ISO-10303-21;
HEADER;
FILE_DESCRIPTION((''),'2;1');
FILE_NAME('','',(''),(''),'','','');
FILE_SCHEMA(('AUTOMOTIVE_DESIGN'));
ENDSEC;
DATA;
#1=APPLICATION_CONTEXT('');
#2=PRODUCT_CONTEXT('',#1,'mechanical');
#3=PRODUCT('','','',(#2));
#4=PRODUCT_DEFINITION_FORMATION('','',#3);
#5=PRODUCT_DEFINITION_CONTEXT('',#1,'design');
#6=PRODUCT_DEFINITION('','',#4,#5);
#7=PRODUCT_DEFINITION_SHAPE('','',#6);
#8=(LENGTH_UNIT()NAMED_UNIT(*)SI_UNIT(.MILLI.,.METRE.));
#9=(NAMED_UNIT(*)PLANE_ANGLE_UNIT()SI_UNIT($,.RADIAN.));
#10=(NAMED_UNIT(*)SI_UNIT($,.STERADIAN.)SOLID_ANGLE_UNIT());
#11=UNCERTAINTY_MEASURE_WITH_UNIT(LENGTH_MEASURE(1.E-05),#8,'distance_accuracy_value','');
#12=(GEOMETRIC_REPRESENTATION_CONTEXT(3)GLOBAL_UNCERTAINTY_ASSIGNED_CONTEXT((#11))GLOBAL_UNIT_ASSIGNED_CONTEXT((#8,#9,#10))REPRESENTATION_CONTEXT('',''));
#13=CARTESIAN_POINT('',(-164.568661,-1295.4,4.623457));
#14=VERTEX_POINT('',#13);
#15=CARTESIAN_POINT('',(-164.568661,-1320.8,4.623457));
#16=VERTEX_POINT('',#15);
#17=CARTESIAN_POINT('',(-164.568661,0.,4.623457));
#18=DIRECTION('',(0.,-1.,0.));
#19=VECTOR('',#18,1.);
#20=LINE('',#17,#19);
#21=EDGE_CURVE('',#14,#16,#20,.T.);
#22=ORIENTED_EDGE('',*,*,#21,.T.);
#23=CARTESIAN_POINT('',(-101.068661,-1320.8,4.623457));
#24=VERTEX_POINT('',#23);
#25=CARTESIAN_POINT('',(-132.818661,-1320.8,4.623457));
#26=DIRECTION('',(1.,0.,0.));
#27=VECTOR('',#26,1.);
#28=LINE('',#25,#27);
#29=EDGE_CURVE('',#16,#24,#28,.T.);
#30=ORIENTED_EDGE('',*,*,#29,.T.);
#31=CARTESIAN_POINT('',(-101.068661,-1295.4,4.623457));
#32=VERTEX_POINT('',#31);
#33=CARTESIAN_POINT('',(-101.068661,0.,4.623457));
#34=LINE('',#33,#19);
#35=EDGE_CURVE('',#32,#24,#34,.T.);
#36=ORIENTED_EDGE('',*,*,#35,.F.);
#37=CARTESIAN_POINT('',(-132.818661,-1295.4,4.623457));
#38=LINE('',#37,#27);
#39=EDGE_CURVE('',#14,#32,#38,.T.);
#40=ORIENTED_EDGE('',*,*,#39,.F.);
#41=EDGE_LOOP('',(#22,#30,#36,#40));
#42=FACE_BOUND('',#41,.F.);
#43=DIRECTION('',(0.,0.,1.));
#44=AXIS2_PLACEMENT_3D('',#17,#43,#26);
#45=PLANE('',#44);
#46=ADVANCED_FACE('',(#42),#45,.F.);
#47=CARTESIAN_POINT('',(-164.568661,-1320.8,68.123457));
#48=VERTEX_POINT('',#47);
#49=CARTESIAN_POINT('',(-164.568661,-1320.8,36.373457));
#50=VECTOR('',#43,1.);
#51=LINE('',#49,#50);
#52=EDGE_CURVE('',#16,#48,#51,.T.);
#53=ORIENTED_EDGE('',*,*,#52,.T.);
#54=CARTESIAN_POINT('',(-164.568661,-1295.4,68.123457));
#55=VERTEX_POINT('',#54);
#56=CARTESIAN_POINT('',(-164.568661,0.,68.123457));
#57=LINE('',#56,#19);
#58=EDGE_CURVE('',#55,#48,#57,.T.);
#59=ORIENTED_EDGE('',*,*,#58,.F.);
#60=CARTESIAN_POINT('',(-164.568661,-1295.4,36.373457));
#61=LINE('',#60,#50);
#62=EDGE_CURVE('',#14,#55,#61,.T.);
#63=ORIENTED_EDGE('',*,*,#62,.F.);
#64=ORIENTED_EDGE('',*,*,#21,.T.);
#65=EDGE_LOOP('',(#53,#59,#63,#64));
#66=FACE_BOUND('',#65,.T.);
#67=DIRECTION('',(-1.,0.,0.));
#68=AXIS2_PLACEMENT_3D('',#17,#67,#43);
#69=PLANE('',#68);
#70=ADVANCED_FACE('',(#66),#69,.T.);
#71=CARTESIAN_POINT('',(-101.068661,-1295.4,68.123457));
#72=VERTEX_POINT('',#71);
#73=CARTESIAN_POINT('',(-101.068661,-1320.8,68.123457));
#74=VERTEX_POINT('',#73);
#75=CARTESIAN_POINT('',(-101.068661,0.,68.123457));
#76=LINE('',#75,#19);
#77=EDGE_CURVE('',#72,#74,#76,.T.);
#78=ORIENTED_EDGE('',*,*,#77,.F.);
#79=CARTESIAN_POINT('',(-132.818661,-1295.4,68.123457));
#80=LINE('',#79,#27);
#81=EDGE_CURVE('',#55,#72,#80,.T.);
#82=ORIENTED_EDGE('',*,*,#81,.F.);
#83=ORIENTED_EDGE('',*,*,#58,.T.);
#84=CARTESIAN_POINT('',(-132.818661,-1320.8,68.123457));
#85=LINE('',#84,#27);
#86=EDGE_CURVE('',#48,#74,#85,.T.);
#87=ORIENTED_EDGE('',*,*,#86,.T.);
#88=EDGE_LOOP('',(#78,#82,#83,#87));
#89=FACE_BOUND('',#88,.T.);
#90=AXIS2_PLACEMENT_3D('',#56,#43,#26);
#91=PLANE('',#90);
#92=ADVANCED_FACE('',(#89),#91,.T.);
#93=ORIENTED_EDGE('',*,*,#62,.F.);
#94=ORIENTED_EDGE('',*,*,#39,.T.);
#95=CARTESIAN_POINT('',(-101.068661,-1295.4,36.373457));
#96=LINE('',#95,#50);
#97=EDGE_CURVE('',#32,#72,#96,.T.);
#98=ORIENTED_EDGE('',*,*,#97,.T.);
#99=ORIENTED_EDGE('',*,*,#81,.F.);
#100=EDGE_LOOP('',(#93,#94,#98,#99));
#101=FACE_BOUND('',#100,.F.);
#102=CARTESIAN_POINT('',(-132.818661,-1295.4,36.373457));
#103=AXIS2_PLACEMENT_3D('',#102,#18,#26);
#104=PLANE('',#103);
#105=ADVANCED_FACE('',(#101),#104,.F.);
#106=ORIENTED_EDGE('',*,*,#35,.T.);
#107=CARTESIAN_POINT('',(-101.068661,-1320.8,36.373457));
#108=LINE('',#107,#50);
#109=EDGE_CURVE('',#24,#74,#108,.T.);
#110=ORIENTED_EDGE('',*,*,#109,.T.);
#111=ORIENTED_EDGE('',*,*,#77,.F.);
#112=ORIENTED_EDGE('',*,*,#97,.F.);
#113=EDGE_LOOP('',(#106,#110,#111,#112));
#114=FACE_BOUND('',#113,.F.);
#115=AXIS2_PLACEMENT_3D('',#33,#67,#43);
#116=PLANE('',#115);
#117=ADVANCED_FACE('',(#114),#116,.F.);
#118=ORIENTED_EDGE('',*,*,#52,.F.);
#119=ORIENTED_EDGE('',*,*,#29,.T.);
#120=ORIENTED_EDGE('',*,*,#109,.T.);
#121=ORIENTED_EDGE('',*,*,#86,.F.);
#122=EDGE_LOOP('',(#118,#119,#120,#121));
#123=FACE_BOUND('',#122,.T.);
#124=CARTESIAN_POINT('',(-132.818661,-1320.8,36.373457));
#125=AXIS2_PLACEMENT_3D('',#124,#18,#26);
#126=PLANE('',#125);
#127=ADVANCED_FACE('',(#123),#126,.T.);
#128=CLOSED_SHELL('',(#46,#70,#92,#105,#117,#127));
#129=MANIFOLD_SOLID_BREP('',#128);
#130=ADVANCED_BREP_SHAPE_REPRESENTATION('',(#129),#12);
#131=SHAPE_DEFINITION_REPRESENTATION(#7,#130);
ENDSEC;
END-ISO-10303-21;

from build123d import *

# Parameters (mm, degrees)
F0_W     = 63.5
F0_H     = 63.5
F1_DEPTH = 1498.6
F2_DEPTH = 1092.2
F3_DEPTH = 203.2
F4_DEPTH = 177.8


with BuildPart() as f1:
    # F0 (on Front) → F1 (new body)
    with BuildSketch(Plane.XZ):
        with Locations((-132.8186606169, 36.3734573238)):
            Rectangle(F0_W, F0_H)
    extrude(amount=F1_DEPTH)

    # F2 (cut): a face of the model
    f2_faces = [f1.faces().sort_by_distance(p)[0] for p in [
        (-132.8186606169, 0, 36.3734573238),
    ]]
    extrude(f2_faces, amount=-F2_DEPTH, mode=Mode.SUBTRACT)

    # F3 (cut): a face of the model
    f3_faces = [f1.faces().sort_by_distance(p)[0] for p in [
        (-132.8186606169, -1092.2, 36.3734573238),
    ]]
    extrude(f3_faces, amount=-F3_DEPTH, mode=Mode.SUBTRACT)

    # F4 (cut): a face of the model
    f4_faces = [f1.faces().sort_by_distance(p)[0] for p in [
        (-132.8186606169, -1498.6, 36.3734573238),
    ]]
    extrude(f4_faces, amount=-F4_DEPTH, mode=Mode.SUBTRACT)


solid = f1.part
